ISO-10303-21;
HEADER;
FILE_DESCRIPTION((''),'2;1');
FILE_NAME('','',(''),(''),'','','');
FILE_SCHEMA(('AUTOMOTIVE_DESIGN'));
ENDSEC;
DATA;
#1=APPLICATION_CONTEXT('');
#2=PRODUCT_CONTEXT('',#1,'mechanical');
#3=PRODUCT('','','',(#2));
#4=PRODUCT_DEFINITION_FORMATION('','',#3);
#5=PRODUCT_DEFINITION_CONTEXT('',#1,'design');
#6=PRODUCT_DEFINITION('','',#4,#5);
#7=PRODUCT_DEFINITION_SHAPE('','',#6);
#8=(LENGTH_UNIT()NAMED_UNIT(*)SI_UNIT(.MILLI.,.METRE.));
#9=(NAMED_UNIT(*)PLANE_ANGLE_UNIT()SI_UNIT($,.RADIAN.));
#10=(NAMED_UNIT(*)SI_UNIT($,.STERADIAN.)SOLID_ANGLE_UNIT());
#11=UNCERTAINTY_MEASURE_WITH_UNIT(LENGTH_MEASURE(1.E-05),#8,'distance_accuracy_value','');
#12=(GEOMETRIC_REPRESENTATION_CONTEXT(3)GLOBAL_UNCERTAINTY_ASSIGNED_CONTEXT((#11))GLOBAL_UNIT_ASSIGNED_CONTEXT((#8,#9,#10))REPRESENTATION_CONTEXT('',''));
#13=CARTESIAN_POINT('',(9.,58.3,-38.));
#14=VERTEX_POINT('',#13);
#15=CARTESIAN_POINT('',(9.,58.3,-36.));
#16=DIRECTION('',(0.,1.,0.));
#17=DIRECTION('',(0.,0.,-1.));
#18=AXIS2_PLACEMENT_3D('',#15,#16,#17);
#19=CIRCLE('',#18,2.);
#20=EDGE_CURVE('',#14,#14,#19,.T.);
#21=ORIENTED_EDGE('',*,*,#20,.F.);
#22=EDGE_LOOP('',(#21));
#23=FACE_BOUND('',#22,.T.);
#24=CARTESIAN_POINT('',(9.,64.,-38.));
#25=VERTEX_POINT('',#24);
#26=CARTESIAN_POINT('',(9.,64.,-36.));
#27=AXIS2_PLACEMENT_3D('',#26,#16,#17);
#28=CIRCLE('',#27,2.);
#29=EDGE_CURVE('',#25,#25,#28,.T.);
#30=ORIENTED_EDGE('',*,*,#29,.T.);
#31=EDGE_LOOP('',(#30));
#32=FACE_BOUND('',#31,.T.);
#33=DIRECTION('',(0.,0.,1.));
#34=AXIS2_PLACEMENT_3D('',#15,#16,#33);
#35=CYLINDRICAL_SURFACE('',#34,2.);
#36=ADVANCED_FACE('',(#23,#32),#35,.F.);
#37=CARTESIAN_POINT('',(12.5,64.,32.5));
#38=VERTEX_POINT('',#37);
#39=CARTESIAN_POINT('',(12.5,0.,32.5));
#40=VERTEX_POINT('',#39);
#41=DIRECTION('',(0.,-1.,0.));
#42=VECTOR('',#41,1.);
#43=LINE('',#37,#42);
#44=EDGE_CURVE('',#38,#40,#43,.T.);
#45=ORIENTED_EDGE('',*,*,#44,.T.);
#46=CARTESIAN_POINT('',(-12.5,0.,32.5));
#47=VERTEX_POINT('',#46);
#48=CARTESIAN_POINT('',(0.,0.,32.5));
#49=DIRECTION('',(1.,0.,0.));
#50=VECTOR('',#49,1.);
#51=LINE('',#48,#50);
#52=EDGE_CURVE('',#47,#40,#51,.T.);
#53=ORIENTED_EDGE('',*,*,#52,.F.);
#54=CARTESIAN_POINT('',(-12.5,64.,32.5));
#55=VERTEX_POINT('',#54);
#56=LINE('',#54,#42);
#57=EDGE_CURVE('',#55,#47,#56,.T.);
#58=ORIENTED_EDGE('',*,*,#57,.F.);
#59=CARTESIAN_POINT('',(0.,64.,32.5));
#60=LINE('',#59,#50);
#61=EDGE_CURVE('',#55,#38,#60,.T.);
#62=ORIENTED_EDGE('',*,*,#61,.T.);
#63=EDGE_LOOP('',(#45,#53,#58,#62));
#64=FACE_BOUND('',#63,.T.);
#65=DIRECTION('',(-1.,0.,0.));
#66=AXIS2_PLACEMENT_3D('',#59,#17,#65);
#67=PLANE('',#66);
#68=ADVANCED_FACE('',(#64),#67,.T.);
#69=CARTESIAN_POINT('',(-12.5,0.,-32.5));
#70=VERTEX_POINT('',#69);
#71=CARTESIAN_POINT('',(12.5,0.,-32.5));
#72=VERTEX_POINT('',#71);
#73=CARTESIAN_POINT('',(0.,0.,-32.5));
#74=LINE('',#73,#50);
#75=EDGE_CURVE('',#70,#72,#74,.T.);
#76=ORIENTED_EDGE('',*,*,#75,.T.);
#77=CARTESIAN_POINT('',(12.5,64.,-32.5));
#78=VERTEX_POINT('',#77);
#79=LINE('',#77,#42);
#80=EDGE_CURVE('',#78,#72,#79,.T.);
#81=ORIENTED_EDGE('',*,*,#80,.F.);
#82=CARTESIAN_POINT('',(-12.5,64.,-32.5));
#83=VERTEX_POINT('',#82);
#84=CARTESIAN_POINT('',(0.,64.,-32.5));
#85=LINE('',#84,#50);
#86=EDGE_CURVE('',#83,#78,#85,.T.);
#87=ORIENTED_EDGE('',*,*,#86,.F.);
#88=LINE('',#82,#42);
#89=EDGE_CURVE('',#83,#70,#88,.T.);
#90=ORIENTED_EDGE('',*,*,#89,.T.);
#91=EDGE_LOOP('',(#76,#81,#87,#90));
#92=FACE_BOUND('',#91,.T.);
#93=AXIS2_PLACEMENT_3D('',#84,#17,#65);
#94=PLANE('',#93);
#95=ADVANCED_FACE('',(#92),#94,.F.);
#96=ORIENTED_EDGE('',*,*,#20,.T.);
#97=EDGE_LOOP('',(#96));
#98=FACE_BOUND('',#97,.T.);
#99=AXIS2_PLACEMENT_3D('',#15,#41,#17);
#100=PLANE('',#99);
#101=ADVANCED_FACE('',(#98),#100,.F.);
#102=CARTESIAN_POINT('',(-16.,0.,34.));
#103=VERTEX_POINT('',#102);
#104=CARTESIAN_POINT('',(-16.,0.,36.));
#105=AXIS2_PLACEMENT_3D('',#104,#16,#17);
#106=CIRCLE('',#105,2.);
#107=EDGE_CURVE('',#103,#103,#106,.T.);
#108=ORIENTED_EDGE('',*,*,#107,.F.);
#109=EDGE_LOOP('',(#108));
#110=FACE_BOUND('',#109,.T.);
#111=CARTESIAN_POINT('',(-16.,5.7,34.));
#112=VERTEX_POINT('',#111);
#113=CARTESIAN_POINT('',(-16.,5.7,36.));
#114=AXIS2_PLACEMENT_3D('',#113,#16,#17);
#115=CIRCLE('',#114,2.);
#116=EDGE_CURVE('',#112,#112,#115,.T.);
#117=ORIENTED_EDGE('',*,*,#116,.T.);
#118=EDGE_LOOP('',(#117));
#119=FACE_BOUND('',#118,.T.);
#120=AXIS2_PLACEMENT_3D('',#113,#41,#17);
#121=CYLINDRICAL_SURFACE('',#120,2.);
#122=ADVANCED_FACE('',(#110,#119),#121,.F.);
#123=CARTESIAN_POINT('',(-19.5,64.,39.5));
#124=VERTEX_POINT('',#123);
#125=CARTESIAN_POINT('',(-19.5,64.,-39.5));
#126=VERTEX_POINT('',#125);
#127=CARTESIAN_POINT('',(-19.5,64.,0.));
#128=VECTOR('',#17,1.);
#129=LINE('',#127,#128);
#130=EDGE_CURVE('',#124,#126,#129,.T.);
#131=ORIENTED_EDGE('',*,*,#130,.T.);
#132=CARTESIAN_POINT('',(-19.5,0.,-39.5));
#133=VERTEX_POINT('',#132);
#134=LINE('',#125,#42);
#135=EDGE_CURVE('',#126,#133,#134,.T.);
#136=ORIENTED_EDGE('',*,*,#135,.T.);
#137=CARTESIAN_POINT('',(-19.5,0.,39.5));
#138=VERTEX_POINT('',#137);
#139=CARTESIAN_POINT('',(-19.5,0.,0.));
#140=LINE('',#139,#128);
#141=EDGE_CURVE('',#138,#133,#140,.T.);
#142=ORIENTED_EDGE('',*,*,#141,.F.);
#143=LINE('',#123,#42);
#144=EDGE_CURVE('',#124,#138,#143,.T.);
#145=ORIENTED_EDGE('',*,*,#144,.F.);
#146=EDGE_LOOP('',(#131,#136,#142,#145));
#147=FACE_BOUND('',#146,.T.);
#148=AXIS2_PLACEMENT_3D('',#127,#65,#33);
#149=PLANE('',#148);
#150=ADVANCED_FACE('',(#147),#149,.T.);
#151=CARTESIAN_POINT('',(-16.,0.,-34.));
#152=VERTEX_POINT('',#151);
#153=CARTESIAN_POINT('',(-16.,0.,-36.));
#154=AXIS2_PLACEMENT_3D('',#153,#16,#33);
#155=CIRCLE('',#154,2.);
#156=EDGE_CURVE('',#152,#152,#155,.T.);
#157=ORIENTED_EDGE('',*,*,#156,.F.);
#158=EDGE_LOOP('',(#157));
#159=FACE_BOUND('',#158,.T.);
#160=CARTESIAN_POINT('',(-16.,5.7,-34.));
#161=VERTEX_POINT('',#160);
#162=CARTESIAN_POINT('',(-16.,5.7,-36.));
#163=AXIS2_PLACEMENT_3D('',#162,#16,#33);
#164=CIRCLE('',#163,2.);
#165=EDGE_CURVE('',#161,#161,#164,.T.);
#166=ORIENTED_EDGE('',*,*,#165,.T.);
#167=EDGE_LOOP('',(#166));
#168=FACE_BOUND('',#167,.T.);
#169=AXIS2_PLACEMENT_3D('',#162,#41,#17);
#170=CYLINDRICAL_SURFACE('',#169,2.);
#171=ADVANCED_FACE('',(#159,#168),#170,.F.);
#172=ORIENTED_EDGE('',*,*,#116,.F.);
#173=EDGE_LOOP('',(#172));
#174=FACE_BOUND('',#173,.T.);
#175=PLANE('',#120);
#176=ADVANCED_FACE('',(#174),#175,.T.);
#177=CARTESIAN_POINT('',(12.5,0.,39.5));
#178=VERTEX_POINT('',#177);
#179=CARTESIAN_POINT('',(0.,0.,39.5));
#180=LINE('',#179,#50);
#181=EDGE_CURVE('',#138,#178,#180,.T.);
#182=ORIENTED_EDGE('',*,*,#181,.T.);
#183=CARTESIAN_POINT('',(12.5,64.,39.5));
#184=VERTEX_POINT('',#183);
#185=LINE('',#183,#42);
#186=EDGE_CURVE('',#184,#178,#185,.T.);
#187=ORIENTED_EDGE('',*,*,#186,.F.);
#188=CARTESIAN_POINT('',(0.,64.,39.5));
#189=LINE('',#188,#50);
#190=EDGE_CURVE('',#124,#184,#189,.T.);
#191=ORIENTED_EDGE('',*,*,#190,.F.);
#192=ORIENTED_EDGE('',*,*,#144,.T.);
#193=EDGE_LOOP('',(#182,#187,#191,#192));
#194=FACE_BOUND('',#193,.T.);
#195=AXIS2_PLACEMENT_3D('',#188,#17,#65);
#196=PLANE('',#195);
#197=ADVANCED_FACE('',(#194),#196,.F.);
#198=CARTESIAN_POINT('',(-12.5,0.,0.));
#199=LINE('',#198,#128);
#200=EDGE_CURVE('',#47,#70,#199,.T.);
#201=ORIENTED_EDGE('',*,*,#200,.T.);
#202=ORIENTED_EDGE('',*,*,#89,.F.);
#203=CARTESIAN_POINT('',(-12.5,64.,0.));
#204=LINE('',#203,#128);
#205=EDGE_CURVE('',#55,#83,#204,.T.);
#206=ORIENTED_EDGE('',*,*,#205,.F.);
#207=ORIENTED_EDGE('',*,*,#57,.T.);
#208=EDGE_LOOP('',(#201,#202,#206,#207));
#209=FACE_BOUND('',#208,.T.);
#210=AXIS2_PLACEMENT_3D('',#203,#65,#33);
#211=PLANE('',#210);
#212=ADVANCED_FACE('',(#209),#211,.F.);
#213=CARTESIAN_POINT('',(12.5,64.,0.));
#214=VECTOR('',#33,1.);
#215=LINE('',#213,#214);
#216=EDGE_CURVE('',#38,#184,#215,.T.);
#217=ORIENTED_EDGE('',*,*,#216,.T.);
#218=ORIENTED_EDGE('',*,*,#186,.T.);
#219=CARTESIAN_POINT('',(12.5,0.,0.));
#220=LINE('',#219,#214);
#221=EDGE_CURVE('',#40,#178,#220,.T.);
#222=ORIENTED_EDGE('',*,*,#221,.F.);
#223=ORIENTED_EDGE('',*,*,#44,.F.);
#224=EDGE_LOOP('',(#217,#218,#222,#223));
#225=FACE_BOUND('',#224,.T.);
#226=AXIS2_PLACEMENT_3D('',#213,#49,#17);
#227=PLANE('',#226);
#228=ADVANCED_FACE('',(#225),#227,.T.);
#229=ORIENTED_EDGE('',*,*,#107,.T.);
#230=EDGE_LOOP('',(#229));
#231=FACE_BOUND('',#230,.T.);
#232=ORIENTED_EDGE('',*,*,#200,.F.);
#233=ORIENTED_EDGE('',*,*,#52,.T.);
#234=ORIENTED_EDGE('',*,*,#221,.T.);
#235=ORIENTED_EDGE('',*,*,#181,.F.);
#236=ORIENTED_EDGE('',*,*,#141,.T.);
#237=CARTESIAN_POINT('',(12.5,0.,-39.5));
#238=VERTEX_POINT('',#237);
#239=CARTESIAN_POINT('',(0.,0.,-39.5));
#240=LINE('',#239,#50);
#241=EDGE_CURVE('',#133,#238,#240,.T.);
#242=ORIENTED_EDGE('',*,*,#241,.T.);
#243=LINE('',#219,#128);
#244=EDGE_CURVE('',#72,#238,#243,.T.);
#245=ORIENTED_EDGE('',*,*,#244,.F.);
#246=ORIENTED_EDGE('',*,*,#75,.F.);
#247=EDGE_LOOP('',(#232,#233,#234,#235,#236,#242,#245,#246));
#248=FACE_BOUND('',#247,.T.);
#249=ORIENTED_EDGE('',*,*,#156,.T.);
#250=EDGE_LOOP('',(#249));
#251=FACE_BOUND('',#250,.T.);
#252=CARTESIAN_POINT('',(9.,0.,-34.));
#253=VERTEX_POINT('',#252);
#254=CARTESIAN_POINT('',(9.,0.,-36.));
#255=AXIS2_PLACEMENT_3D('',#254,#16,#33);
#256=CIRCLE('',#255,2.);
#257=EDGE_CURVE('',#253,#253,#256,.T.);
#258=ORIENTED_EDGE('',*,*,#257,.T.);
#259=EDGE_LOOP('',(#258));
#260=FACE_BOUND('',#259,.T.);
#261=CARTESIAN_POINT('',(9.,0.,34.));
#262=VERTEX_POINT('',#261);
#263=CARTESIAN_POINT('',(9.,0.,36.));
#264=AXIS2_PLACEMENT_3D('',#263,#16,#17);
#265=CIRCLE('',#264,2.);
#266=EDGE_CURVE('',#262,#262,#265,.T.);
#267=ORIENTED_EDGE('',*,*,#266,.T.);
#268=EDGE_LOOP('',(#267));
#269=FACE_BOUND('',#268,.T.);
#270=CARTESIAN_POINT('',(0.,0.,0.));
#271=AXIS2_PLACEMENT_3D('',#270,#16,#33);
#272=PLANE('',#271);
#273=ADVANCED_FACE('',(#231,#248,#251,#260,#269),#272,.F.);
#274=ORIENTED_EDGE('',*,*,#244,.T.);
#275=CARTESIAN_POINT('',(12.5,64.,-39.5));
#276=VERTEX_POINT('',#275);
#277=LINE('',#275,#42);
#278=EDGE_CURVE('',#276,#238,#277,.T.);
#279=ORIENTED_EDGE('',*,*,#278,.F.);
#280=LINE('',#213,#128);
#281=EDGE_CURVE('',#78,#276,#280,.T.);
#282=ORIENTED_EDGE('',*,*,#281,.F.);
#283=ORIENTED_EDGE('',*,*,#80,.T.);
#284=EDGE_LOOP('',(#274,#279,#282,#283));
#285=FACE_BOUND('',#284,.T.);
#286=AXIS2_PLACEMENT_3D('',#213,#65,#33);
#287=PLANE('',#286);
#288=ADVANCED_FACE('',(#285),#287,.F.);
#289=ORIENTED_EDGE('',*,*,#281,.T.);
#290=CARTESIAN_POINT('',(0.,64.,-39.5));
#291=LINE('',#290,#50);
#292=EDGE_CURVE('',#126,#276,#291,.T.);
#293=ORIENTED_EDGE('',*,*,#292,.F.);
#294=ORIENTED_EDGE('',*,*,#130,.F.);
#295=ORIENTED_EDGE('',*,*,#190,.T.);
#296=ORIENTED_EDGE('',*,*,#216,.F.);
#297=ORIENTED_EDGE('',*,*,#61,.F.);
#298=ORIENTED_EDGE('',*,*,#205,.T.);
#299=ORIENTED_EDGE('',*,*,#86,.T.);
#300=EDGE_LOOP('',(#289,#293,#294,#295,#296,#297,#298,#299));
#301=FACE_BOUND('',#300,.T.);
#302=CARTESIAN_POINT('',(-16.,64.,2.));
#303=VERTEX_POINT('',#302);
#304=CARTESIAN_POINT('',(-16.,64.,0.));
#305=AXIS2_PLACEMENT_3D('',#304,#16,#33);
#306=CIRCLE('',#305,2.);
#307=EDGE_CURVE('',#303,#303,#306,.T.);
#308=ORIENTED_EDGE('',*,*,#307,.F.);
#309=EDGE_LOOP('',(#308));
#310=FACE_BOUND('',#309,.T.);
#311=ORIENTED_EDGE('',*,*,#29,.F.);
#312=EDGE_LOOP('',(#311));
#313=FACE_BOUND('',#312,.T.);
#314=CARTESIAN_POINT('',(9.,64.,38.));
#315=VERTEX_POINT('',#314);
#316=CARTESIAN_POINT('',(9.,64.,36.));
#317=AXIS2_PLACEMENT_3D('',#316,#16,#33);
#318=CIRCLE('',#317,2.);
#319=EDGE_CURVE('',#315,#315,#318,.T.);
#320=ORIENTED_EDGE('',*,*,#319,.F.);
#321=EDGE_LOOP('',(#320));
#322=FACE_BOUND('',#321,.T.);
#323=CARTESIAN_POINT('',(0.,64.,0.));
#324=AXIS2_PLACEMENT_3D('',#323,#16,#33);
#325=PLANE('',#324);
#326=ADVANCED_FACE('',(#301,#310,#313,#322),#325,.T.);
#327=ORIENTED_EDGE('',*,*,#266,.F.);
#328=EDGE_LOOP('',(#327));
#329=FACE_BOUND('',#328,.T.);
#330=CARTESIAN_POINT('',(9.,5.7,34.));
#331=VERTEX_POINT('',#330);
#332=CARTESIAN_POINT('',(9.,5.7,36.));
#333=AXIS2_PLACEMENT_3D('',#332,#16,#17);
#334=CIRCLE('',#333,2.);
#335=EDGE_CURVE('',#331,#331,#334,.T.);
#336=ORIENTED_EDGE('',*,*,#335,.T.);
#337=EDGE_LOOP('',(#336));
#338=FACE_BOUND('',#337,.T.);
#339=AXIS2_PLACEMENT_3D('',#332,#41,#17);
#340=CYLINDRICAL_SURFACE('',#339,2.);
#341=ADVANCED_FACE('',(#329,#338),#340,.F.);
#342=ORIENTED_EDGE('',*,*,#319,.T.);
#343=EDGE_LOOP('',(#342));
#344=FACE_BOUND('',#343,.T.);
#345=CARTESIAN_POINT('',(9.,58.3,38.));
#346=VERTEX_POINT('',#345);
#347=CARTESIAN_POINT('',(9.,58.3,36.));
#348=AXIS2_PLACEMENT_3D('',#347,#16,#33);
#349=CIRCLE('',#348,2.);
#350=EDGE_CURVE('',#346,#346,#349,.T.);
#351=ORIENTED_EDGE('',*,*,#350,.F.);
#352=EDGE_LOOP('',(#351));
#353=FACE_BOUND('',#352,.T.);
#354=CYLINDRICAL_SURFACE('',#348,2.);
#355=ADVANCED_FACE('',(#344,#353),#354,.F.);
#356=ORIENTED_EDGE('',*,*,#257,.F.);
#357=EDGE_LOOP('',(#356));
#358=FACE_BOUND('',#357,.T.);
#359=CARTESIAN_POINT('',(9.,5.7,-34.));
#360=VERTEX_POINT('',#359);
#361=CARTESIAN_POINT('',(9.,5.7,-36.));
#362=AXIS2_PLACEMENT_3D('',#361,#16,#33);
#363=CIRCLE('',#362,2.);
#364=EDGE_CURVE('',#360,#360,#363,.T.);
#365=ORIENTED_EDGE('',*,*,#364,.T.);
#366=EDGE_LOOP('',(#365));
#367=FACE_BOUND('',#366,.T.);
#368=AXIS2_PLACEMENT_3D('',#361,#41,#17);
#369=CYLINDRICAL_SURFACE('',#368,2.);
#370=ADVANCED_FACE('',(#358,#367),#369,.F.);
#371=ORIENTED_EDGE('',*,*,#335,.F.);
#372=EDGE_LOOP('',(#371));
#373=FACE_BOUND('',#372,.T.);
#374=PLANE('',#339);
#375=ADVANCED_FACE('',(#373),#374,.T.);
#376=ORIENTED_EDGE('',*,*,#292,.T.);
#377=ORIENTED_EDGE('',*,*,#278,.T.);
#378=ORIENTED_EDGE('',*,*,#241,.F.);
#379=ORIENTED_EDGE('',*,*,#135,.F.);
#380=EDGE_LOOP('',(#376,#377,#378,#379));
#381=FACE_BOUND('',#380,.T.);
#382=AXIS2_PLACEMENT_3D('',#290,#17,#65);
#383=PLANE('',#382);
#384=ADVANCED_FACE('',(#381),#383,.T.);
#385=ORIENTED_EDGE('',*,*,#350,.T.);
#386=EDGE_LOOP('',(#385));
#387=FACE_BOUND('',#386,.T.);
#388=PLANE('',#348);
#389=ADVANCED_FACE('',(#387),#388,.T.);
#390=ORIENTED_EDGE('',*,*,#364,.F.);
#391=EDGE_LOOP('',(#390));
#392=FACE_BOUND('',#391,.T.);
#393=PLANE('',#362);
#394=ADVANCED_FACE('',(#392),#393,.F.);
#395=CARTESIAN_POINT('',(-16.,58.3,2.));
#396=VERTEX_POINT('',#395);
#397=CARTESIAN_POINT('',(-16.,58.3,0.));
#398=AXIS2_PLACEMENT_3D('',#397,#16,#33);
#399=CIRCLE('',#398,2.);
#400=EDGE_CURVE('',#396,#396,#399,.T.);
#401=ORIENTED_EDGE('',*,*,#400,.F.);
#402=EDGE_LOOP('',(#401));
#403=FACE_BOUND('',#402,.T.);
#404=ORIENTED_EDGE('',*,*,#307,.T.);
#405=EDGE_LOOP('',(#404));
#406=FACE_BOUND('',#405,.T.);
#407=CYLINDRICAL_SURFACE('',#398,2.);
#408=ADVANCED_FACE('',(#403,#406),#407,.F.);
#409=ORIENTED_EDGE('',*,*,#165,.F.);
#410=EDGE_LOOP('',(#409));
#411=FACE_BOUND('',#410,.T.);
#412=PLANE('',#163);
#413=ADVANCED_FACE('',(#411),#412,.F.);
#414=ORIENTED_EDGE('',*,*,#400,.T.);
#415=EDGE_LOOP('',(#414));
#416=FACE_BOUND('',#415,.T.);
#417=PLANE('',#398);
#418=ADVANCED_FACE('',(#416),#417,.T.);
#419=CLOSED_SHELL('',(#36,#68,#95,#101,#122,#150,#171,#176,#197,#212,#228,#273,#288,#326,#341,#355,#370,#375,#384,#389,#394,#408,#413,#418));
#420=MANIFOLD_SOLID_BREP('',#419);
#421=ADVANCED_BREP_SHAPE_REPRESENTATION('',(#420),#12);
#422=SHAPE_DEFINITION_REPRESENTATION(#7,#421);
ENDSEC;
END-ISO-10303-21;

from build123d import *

# Parameters (mm, degrees)
BOSS_EXTRUDE1_DEPTH = 64
SKETCH2_R           = 2
CUT_EXTRUDE1_DEPTH  = 5.7
CUT_EXTRUDE2_START  = -5.7
SKETCH3_R           = 2
CUT_EXTRUDE2_DEPTH  = 5.7


with BuildPart() as part:
    # Sketch1 → Boss-Extrude1 (new body)
    with BuildSketch(Plane(origin=(0, 0, 0), x_dir=(1, 0, 0), z_dir=(0, 1, 0))):
        Polygon((-19.5, 39.5), (-19.5, -39.5), (12.5, -39.5), (12.5, -32.5), (-12.5, -32.5), (-12.5, 32.5), (12.5, 32.5), (12.5, 39.5), align=None)
    extrude(amount=BOSS_EXTRUDE1_DEPTH)

    # Sketch2 → Cut-Extrude1 (cut)
    with BuildSketch(Plane(origin=(0, 0, 0), x_dir=(1, 0, 0), z_dir=(0, 1, 0))):
        with Locations(Location((-16, 36, 0), (0, 0, 270))):
            Circle(SKETCH2_R)
        with Locations(Location((-16, -36, 0), (0, 0, 90))):
            Circle(SKETCH2_R)
        with Locations(Location((9, 36, 0), (0, 0, 270))):
            Circle(SKETCH2_R)
        with Locations(Location((9, -36, 0), (0, 0, 90))):
            Circle(SKETCH2_R)
    extrude(amount=CUT_EXTRUDE1_DEPTH, mode=Mode.SUBTRACT)

    # Sketch3 → Cut-Extrude2 (cut)
    with BuildSketch(Plane(origin=(0, 64, 0), x_dir=(1, 0, 0), z_dir=(0, 1, 0)).offset(CUT_EXTRUDE2_START)):
        with Locations(Location((-16, 0, 0), (0, 0, 270))):
            Circle(SKETCH3_R)
        with Locations(Location((9, -36, 0), (0, 0, 90))):
            Circle(SKETCH3_R)
        with Locations(Location((9, 36, 0), (0, 0, 270))):
            Circle(SKETCH3_R)
    extrude(amount=CUT_EXTRUDE2_DEPTH, mode=Mode.SUBTRACT)


solid = part.part
